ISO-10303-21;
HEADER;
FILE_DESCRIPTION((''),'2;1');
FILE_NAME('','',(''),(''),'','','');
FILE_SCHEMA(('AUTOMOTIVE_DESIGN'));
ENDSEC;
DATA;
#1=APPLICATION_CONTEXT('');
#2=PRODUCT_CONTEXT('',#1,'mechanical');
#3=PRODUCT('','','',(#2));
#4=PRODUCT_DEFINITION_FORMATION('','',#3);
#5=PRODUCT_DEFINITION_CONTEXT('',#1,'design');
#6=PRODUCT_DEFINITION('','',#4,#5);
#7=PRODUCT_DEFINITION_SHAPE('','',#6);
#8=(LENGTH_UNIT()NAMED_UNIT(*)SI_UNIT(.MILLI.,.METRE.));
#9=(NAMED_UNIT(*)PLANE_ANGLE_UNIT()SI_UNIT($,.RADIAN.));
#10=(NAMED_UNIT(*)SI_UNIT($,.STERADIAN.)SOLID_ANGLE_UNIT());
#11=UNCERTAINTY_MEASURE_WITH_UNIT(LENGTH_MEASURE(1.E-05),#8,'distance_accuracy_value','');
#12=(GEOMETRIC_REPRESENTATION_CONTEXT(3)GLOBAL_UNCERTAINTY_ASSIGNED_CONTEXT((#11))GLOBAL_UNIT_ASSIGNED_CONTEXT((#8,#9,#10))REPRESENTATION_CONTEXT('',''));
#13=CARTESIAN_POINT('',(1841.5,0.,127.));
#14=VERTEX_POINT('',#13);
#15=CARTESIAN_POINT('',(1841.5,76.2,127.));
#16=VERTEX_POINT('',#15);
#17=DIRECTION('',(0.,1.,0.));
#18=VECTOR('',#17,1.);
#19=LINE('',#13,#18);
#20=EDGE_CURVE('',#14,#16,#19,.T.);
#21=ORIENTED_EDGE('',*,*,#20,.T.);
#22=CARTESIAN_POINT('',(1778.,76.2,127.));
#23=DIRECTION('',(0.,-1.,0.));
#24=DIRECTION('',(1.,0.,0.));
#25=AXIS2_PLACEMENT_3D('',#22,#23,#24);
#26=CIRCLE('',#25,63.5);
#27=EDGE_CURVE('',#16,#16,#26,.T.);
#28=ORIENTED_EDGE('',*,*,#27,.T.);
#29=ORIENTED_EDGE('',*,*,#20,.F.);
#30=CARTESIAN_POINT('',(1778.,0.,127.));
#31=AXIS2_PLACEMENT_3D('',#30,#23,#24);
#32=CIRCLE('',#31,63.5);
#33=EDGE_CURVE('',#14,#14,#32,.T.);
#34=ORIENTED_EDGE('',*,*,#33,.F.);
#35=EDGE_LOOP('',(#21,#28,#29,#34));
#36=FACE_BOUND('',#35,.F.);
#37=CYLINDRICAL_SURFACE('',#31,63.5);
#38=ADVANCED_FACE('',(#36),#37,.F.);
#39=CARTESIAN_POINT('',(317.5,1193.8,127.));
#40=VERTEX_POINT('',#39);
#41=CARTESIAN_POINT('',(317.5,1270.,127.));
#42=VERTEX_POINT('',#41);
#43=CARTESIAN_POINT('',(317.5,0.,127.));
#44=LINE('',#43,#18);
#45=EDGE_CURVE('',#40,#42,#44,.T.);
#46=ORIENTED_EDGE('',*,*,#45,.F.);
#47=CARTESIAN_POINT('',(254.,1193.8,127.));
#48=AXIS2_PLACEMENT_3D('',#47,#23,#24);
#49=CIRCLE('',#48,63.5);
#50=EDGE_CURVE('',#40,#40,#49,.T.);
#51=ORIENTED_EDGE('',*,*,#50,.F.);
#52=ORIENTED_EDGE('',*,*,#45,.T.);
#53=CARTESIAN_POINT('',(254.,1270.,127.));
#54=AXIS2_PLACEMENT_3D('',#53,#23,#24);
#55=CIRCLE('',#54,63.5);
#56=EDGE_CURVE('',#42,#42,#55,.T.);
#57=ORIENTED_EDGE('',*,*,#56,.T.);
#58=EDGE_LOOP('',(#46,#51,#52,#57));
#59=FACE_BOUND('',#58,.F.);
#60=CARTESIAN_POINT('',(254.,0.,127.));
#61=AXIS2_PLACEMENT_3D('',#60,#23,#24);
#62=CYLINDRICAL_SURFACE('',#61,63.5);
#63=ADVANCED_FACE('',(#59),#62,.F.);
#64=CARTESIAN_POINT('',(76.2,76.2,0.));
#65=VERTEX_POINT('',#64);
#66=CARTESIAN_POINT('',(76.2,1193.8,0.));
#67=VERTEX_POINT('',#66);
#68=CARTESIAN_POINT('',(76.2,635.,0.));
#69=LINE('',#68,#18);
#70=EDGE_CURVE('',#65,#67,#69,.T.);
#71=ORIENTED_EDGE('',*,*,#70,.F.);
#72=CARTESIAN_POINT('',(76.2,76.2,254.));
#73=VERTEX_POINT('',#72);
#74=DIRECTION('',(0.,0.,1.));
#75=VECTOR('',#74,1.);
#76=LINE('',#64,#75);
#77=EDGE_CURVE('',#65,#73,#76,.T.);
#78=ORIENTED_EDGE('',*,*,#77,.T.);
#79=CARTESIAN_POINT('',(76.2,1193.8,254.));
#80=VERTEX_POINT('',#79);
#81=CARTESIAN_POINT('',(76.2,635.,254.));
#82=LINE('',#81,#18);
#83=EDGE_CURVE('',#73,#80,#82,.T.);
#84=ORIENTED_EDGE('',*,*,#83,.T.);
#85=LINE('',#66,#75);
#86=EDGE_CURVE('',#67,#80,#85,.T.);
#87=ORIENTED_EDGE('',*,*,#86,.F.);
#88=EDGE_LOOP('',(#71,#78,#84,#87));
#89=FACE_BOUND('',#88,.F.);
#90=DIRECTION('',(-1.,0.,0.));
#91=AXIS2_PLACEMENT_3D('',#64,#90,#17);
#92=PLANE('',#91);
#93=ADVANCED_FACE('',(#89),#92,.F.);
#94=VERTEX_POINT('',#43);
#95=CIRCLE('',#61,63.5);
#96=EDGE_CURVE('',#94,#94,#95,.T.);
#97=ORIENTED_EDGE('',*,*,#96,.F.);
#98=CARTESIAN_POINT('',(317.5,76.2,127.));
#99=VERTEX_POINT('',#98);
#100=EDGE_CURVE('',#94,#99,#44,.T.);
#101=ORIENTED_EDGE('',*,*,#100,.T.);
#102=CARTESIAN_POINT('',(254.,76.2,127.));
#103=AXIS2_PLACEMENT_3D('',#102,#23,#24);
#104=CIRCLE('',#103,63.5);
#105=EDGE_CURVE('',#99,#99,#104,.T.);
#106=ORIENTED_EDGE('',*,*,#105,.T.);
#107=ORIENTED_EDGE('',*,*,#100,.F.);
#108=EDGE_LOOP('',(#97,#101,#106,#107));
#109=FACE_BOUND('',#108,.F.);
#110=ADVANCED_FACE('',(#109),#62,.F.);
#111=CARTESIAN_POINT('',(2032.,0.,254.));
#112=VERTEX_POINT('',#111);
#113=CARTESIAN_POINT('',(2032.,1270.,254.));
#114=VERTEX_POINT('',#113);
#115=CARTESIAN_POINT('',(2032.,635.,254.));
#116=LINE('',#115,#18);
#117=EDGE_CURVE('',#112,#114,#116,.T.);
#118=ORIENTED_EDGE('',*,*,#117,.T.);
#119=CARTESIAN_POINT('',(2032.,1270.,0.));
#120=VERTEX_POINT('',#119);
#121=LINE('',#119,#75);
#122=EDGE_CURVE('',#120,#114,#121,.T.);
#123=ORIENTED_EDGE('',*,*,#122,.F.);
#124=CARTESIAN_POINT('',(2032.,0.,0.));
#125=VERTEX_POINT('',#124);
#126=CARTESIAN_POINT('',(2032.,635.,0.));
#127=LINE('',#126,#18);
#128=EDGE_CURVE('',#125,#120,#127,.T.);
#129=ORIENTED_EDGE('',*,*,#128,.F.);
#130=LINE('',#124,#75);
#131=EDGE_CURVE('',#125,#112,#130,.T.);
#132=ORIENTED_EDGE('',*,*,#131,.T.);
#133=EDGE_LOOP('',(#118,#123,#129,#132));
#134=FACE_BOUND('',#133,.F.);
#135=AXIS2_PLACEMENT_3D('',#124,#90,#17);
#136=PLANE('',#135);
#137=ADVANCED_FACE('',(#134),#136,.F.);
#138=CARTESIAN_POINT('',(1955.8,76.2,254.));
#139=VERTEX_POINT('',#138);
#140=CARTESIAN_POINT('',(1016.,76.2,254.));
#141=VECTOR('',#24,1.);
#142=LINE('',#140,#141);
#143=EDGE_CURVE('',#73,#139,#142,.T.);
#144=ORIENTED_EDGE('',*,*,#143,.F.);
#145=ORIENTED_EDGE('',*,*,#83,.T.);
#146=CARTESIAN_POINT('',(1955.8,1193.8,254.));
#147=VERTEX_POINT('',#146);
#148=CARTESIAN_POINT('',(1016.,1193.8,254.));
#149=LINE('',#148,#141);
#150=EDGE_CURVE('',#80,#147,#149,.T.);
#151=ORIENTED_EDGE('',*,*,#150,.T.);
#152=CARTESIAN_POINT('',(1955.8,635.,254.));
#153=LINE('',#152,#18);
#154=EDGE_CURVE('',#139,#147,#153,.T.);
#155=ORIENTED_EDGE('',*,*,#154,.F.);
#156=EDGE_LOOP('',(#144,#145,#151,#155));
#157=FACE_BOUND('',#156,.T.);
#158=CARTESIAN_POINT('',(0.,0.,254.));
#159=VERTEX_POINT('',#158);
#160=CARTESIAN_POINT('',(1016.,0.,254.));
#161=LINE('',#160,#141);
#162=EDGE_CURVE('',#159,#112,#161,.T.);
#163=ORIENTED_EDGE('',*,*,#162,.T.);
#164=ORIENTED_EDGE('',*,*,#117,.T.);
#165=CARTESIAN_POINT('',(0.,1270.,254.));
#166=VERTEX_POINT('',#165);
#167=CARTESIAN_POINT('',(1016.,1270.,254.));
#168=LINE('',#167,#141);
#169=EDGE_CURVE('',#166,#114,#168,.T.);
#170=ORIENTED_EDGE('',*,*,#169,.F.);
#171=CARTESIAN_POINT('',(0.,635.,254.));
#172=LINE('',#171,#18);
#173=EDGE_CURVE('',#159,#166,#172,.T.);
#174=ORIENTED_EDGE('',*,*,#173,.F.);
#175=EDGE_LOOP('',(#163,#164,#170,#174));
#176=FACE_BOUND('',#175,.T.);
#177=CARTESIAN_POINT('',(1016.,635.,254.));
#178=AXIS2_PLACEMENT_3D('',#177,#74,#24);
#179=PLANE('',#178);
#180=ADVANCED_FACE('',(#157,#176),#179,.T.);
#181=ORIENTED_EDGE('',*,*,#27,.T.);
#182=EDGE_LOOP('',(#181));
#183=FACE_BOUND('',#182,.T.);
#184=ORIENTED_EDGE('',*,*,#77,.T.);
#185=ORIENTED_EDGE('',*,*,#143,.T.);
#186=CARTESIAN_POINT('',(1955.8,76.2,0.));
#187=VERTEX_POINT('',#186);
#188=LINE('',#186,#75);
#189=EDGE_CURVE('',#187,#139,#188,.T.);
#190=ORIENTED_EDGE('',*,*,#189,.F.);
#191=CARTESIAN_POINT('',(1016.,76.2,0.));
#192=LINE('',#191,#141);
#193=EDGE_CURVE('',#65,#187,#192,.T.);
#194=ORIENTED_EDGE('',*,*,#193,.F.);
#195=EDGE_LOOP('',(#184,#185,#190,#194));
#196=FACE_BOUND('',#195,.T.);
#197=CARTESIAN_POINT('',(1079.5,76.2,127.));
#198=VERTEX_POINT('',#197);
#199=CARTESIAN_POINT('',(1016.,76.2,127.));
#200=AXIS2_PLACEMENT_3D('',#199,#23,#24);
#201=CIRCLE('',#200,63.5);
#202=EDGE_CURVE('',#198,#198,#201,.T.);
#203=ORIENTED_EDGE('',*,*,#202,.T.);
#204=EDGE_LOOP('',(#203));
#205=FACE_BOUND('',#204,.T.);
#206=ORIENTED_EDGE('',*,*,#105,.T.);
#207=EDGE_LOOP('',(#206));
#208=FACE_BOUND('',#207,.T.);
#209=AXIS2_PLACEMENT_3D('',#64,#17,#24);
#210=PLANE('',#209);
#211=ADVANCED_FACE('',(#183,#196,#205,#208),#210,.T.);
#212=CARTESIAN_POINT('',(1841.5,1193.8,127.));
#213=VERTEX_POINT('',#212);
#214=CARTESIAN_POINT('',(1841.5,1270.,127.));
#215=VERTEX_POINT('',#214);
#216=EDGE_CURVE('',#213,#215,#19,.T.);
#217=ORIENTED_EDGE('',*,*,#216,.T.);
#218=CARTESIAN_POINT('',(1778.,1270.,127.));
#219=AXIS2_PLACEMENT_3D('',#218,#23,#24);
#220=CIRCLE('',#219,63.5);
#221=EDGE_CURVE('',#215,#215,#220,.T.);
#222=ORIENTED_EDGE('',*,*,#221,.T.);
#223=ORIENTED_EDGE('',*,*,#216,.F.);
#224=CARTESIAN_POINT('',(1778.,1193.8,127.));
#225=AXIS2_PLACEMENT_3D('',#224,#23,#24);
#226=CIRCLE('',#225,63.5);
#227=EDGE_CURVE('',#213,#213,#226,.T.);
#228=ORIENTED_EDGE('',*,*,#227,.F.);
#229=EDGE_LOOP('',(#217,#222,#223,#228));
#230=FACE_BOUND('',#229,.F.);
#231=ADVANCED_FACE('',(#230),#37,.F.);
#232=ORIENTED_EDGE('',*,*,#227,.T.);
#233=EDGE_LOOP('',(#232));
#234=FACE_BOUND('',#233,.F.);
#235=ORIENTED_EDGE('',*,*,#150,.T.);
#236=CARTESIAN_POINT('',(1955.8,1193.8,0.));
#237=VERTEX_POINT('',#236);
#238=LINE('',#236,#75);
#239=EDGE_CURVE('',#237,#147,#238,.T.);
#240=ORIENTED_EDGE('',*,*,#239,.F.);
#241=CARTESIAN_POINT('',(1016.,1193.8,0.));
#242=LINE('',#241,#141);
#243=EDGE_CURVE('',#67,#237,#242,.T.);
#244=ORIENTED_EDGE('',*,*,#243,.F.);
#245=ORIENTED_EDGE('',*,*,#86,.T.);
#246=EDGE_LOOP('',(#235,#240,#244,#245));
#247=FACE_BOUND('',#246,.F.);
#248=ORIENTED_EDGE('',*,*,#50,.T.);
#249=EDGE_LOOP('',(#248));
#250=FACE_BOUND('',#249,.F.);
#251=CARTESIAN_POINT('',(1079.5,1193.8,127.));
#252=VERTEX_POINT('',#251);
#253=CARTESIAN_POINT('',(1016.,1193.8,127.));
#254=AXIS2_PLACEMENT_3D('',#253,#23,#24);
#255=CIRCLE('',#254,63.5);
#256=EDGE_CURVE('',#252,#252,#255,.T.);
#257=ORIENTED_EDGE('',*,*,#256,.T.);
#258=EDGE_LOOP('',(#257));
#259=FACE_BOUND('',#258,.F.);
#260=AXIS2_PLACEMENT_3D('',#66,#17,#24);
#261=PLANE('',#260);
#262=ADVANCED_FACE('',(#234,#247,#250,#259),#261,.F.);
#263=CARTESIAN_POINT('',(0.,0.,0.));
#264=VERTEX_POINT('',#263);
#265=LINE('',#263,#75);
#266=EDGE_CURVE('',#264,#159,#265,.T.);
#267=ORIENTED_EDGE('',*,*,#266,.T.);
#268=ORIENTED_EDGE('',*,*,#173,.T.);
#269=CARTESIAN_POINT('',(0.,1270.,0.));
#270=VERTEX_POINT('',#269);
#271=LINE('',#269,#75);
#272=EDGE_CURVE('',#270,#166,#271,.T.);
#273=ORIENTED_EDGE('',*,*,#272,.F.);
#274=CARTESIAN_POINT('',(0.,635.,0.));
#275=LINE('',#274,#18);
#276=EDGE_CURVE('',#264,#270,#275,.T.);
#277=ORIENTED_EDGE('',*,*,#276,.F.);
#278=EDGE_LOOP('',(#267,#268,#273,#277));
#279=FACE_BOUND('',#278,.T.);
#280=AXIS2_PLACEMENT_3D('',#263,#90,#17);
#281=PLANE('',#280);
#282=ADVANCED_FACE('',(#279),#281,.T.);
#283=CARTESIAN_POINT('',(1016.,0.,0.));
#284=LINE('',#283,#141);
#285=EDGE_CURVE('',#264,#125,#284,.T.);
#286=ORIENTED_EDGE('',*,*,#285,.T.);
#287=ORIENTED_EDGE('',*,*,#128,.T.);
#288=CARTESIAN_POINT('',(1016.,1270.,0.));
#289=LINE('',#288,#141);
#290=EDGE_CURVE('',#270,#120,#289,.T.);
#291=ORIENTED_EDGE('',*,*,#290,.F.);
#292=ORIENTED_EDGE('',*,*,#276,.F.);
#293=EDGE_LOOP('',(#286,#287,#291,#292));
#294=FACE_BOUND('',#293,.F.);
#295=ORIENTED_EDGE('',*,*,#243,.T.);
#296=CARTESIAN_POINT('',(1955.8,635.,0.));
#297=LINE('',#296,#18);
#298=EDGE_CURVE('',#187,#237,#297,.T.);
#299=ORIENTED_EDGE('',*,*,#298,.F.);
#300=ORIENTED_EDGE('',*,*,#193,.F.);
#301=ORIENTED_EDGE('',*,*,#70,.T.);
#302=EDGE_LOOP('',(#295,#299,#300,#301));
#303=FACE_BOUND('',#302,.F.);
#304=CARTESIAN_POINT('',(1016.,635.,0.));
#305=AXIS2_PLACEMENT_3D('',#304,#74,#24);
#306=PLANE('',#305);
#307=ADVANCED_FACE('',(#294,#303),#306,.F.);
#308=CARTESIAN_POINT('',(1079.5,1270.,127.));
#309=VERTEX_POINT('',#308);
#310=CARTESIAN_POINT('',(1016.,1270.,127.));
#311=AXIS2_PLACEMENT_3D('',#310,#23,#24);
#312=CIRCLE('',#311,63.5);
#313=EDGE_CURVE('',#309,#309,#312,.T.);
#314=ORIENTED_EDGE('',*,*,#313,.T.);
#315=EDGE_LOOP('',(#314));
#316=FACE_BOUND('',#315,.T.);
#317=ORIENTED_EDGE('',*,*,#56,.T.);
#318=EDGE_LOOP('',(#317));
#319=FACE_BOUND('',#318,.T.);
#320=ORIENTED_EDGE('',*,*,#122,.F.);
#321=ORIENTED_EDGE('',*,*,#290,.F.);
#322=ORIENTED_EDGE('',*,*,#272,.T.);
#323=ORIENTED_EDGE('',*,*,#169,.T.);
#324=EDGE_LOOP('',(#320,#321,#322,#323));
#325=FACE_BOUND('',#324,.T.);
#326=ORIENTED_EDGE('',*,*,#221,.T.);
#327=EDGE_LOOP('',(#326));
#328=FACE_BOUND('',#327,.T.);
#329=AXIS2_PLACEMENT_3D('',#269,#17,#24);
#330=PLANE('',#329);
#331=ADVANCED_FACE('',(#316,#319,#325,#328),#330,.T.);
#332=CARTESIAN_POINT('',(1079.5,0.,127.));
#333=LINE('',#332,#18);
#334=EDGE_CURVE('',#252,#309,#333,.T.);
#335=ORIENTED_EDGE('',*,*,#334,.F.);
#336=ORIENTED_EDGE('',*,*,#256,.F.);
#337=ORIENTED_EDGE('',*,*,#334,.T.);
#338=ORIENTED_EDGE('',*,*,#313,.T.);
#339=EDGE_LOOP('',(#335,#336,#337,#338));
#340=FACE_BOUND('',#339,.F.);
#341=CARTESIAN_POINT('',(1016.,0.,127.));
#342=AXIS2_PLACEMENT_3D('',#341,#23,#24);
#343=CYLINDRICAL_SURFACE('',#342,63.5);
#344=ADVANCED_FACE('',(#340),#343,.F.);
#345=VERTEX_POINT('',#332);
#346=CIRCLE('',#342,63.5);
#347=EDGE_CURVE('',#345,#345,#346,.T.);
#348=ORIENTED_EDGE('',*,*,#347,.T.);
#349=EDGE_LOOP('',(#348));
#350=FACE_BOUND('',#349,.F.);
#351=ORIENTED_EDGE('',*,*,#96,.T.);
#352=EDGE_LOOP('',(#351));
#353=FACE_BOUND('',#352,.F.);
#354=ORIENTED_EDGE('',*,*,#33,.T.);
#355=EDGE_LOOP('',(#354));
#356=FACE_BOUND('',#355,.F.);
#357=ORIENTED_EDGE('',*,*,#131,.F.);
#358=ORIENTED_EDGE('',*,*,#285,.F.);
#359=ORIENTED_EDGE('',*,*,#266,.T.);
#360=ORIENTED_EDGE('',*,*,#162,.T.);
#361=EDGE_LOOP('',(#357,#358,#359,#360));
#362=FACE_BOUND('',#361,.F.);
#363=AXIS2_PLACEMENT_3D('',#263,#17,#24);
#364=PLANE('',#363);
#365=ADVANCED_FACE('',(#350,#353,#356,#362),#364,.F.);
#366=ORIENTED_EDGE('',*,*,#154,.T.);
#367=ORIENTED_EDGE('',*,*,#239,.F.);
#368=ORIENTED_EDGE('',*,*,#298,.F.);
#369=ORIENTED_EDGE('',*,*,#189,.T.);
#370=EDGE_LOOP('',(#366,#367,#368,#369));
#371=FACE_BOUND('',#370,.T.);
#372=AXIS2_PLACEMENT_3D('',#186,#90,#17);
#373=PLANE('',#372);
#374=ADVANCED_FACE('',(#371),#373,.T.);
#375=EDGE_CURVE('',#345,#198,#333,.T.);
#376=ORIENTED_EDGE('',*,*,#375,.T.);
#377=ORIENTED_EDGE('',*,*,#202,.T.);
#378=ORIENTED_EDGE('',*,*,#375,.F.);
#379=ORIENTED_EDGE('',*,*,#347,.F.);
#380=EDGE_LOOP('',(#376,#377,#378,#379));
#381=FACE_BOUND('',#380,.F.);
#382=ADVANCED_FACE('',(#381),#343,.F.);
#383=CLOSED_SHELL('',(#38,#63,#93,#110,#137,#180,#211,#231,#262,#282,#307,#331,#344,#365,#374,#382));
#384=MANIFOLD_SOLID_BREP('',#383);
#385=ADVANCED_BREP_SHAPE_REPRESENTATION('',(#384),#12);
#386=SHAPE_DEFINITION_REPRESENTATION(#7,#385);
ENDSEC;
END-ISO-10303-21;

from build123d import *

# Parameters (mm, degrees)
F0_W     = 2032
F0_H     = 1270
F0_W_2   = 1879.6
F0_H_2   = 1117.6
F1_DEPTH = 254
F2_R     = 63.5
F3_DEPTH = 1270.001


with BuildPart() as f1:
    # F0 (on Top) → F1 (new body)
    with BuildSketch(Plane.XY):
        with Locations((1016, 635)):
            Rectangle(F0_W, F0_H)
        with Locations((1016, 635)):
            Rectangle(F0_W_2, F0_H_2, mode=Mode.SUBTRACT)
    extrude(amount=F1_DEPTH)

    # F2 (on Front) → F3 (cut, through all)
    with BuildSketch(Plane.XZ):
        with Locations((1778, 127)):
            Circle(F2_R)
        with Locations((1016, 127)):
            Circle(F2_R)
        with Locations((254, 127)):
            Circle(F2_R)
    extrude(amount=-F3_DEPTH, mode=Mode.SUBTRACT)


solid = f1.part
